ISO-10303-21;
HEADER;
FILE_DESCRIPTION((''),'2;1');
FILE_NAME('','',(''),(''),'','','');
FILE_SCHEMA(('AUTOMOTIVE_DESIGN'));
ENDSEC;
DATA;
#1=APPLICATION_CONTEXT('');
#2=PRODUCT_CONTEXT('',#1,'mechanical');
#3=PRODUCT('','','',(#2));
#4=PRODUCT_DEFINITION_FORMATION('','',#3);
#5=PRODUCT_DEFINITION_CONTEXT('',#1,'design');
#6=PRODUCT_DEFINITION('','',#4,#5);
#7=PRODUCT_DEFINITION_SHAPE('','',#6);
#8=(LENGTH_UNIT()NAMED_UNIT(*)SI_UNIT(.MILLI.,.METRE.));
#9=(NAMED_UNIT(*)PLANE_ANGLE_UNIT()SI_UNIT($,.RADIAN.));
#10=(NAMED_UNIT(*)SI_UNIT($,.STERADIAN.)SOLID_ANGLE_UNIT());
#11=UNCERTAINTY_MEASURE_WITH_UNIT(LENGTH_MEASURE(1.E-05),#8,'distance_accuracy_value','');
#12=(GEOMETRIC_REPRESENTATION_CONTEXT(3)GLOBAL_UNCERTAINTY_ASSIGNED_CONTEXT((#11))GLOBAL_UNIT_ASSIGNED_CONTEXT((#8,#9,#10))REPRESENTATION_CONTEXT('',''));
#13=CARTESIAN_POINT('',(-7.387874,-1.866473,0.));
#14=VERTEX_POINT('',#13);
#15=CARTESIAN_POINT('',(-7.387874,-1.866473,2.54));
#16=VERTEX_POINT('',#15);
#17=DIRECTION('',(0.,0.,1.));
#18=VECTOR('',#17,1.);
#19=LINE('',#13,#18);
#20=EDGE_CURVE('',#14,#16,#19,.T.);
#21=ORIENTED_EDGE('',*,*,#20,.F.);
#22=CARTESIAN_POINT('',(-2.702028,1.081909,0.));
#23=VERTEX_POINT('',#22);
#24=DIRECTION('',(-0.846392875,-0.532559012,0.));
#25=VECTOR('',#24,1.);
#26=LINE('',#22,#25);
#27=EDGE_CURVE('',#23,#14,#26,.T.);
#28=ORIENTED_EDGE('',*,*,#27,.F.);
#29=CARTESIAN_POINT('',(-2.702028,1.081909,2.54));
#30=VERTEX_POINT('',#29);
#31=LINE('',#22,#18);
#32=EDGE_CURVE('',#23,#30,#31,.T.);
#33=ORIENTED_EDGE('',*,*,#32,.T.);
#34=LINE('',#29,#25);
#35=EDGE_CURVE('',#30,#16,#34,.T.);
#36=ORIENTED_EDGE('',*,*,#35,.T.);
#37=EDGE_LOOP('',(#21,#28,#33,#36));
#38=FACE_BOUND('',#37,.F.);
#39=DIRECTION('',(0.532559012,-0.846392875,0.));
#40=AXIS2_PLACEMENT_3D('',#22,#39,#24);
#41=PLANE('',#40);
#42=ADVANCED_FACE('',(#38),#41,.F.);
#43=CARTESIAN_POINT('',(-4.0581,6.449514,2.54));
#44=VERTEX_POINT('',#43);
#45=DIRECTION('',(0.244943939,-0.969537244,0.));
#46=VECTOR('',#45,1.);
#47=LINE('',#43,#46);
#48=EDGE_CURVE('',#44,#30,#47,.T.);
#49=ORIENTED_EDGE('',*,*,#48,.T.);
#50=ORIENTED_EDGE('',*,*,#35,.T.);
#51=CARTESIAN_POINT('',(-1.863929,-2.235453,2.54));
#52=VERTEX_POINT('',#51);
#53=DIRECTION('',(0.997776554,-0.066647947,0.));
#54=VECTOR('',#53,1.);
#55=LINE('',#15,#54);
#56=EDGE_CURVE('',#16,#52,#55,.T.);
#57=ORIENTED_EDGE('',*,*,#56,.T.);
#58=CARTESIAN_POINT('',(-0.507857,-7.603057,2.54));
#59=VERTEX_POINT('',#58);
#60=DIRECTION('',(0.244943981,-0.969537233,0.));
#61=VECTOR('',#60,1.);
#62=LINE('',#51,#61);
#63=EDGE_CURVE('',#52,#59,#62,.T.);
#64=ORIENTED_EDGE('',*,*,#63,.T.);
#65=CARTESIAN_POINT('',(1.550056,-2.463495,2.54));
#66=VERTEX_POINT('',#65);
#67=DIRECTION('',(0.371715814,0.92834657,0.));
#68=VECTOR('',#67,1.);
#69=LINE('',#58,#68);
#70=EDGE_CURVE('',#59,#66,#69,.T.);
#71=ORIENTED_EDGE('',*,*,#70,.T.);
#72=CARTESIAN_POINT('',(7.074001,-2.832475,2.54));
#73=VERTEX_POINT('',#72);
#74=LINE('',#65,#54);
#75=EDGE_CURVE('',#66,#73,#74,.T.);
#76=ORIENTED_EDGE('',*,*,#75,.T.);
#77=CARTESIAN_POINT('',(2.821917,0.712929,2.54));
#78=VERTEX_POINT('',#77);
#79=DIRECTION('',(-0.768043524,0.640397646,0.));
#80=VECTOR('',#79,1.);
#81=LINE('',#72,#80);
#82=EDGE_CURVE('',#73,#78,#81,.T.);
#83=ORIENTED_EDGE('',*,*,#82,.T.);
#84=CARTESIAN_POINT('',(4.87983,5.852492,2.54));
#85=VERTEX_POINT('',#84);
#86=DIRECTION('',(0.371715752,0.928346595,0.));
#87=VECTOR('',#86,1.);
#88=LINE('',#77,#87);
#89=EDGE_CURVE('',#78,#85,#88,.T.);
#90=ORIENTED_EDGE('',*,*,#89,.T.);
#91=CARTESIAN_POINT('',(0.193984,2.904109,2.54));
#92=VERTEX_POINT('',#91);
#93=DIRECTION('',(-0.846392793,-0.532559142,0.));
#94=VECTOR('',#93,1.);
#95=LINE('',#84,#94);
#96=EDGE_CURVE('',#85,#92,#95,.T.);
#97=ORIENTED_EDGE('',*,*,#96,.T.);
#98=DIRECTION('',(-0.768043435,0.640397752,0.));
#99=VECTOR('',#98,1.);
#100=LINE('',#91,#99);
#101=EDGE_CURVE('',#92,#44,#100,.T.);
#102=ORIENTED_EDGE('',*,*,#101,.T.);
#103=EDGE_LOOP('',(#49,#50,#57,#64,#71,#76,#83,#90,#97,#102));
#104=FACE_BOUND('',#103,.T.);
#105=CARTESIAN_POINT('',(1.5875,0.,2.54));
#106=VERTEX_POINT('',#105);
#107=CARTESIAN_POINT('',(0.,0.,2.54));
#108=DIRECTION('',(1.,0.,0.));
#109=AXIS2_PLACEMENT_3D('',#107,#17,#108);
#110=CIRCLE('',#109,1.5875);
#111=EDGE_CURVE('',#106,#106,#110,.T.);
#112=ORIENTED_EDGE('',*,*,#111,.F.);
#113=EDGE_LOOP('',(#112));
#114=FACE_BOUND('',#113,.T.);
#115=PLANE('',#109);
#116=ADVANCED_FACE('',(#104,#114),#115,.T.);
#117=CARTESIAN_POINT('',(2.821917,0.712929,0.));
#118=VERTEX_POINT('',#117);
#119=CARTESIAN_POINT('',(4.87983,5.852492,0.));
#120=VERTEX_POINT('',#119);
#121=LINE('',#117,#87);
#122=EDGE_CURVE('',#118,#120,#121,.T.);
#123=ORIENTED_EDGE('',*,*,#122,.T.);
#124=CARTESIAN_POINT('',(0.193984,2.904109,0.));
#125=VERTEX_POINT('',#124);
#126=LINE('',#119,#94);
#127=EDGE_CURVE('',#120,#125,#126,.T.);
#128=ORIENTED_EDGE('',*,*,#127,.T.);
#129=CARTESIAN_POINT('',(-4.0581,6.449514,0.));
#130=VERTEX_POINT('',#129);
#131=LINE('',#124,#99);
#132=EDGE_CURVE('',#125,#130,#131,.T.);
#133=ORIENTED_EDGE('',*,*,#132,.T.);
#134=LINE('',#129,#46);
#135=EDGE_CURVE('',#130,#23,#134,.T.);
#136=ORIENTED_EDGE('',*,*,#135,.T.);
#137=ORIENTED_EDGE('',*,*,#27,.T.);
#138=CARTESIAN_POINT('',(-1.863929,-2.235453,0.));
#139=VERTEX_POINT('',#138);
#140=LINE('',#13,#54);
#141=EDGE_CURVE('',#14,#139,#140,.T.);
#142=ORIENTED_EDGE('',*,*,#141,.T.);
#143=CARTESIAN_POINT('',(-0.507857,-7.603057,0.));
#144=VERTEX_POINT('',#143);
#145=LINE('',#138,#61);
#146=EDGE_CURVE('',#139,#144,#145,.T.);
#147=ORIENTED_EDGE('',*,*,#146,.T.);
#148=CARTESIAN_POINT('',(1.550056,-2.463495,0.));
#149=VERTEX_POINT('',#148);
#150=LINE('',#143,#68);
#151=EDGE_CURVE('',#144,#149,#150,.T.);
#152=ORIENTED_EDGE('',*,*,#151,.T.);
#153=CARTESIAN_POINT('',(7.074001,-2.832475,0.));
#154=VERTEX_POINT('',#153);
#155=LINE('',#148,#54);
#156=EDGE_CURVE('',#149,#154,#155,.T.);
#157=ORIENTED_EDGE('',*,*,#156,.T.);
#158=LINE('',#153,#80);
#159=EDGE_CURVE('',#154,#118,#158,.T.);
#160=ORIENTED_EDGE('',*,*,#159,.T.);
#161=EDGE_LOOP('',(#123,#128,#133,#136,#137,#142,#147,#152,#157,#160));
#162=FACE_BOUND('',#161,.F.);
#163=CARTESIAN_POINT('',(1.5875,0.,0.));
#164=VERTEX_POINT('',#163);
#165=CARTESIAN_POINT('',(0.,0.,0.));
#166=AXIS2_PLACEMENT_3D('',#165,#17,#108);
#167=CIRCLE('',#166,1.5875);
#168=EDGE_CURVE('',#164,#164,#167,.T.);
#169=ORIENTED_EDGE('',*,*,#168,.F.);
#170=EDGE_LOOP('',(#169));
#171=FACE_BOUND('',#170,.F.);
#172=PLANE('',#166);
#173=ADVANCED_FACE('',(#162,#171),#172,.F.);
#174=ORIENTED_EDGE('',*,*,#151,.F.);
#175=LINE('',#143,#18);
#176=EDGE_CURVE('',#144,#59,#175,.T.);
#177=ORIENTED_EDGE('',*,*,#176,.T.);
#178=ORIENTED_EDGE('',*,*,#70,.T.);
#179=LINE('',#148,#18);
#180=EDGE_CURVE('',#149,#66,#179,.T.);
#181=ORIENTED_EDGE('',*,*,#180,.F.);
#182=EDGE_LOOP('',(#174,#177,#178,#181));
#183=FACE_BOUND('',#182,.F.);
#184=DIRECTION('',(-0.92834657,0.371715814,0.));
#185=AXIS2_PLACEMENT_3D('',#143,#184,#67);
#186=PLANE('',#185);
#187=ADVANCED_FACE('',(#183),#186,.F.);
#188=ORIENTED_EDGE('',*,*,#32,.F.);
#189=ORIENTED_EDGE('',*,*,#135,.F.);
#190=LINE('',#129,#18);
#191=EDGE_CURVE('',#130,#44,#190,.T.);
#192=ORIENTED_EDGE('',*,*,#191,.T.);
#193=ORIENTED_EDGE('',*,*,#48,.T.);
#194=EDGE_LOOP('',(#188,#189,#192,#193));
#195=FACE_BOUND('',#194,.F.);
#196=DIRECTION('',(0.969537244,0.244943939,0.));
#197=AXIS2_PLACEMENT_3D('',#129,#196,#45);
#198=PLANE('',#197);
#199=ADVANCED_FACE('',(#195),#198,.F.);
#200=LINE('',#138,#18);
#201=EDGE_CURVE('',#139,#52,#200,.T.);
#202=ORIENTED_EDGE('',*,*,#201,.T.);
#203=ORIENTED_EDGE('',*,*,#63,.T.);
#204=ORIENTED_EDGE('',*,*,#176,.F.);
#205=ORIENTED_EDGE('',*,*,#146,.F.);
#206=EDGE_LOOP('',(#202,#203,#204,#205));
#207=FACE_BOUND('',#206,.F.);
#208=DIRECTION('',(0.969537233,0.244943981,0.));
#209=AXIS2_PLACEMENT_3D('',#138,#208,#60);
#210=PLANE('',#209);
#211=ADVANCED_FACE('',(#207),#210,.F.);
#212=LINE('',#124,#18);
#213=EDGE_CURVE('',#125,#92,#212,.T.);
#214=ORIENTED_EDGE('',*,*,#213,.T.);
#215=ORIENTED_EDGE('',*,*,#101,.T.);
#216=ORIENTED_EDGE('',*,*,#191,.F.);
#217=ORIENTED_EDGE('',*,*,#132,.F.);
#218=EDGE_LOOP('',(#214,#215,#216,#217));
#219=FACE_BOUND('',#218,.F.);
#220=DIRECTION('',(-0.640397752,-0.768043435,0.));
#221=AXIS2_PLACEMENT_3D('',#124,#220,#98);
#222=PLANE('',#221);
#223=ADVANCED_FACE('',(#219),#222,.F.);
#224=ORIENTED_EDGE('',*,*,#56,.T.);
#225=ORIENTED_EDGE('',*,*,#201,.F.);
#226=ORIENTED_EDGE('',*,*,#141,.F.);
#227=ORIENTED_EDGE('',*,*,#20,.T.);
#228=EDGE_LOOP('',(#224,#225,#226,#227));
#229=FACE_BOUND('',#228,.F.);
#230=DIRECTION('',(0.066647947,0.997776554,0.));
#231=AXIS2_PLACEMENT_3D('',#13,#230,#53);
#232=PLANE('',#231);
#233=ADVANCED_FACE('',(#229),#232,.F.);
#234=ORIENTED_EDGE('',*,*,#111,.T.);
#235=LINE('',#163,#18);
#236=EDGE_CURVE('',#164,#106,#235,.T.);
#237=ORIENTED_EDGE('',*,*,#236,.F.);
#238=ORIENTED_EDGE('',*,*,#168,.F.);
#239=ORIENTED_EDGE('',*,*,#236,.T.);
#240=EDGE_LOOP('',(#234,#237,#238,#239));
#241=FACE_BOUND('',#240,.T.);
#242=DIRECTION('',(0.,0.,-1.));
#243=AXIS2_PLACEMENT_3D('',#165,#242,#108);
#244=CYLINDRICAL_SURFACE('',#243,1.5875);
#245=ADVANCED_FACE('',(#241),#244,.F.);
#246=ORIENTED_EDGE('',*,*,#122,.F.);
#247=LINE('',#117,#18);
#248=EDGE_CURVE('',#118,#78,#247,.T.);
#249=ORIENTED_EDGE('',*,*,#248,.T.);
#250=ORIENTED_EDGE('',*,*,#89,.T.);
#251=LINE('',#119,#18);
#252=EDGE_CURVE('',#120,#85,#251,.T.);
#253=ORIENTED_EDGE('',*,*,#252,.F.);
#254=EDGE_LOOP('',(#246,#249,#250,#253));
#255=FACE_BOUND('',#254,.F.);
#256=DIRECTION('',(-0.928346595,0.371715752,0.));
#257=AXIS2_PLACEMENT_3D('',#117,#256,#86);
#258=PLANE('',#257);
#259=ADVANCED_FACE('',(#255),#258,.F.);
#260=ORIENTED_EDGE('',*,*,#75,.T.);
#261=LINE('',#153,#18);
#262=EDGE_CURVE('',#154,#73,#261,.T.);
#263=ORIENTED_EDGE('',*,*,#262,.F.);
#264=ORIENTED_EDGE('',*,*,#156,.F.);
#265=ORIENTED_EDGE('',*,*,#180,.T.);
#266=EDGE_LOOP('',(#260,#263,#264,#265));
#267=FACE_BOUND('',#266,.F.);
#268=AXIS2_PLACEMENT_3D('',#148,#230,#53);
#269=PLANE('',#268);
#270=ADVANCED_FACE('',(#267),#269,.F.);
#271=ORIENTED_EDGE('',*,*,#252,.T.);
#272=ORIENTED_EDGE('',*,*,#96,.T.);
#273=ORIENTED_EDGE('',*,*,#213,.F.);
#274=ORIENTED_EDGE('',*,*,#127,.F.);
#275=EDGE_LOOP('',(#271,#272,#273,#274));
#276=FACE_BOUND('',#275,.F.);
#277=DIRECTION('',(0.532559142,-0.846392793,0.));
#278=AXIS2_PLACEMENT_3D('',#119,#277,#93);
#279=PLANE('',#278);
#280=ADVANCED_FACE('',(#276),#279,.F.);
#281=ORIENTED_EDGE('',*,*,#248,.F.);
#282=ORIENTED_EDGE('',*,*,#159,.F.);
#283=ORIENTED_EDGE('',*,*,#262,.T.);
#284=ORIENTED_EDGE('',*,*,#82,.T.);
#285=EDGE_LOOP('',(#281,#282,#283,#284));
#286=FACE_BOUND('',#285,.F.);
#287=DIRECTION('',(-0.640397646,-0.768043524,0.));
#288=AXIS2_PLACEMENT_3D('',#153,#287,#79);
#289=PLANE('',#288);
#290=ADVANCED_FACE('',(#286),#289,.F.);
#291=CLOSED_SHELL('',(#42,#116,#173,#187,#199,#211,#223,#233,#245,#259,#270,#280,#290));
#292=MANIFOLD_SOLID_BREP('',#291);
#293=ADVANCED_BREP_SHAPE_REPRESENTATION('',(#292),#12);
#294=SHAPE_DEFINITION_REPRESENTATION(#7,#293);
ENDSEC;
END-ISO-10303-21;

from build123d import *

# Parameters (mm, degrees)
F0_R     = 1.5875
F1_DEPTH = 2.54


with BuildPart() as f1:
    # F0 (on Top) → F1 (new body)
    with BuildSketch(Plane.XY):
        Polygon((0.193984, 2.904109), (-4.0581, 6.449514), (-2.702028, 1.081909), (-7.387874, -1.866473), (-1.863929, -2.235453), (-0.507857, -7.603057), (1.550056, -2.463495), (7.074001, -2.832475), (2.821917, 0.712929), (4.87983, 5.852492), align=None)
        Circle(F0_R, mode=Mode.SUBTRACT)
    extrude(amount=F1_DEPTH)


solid = f1.part
